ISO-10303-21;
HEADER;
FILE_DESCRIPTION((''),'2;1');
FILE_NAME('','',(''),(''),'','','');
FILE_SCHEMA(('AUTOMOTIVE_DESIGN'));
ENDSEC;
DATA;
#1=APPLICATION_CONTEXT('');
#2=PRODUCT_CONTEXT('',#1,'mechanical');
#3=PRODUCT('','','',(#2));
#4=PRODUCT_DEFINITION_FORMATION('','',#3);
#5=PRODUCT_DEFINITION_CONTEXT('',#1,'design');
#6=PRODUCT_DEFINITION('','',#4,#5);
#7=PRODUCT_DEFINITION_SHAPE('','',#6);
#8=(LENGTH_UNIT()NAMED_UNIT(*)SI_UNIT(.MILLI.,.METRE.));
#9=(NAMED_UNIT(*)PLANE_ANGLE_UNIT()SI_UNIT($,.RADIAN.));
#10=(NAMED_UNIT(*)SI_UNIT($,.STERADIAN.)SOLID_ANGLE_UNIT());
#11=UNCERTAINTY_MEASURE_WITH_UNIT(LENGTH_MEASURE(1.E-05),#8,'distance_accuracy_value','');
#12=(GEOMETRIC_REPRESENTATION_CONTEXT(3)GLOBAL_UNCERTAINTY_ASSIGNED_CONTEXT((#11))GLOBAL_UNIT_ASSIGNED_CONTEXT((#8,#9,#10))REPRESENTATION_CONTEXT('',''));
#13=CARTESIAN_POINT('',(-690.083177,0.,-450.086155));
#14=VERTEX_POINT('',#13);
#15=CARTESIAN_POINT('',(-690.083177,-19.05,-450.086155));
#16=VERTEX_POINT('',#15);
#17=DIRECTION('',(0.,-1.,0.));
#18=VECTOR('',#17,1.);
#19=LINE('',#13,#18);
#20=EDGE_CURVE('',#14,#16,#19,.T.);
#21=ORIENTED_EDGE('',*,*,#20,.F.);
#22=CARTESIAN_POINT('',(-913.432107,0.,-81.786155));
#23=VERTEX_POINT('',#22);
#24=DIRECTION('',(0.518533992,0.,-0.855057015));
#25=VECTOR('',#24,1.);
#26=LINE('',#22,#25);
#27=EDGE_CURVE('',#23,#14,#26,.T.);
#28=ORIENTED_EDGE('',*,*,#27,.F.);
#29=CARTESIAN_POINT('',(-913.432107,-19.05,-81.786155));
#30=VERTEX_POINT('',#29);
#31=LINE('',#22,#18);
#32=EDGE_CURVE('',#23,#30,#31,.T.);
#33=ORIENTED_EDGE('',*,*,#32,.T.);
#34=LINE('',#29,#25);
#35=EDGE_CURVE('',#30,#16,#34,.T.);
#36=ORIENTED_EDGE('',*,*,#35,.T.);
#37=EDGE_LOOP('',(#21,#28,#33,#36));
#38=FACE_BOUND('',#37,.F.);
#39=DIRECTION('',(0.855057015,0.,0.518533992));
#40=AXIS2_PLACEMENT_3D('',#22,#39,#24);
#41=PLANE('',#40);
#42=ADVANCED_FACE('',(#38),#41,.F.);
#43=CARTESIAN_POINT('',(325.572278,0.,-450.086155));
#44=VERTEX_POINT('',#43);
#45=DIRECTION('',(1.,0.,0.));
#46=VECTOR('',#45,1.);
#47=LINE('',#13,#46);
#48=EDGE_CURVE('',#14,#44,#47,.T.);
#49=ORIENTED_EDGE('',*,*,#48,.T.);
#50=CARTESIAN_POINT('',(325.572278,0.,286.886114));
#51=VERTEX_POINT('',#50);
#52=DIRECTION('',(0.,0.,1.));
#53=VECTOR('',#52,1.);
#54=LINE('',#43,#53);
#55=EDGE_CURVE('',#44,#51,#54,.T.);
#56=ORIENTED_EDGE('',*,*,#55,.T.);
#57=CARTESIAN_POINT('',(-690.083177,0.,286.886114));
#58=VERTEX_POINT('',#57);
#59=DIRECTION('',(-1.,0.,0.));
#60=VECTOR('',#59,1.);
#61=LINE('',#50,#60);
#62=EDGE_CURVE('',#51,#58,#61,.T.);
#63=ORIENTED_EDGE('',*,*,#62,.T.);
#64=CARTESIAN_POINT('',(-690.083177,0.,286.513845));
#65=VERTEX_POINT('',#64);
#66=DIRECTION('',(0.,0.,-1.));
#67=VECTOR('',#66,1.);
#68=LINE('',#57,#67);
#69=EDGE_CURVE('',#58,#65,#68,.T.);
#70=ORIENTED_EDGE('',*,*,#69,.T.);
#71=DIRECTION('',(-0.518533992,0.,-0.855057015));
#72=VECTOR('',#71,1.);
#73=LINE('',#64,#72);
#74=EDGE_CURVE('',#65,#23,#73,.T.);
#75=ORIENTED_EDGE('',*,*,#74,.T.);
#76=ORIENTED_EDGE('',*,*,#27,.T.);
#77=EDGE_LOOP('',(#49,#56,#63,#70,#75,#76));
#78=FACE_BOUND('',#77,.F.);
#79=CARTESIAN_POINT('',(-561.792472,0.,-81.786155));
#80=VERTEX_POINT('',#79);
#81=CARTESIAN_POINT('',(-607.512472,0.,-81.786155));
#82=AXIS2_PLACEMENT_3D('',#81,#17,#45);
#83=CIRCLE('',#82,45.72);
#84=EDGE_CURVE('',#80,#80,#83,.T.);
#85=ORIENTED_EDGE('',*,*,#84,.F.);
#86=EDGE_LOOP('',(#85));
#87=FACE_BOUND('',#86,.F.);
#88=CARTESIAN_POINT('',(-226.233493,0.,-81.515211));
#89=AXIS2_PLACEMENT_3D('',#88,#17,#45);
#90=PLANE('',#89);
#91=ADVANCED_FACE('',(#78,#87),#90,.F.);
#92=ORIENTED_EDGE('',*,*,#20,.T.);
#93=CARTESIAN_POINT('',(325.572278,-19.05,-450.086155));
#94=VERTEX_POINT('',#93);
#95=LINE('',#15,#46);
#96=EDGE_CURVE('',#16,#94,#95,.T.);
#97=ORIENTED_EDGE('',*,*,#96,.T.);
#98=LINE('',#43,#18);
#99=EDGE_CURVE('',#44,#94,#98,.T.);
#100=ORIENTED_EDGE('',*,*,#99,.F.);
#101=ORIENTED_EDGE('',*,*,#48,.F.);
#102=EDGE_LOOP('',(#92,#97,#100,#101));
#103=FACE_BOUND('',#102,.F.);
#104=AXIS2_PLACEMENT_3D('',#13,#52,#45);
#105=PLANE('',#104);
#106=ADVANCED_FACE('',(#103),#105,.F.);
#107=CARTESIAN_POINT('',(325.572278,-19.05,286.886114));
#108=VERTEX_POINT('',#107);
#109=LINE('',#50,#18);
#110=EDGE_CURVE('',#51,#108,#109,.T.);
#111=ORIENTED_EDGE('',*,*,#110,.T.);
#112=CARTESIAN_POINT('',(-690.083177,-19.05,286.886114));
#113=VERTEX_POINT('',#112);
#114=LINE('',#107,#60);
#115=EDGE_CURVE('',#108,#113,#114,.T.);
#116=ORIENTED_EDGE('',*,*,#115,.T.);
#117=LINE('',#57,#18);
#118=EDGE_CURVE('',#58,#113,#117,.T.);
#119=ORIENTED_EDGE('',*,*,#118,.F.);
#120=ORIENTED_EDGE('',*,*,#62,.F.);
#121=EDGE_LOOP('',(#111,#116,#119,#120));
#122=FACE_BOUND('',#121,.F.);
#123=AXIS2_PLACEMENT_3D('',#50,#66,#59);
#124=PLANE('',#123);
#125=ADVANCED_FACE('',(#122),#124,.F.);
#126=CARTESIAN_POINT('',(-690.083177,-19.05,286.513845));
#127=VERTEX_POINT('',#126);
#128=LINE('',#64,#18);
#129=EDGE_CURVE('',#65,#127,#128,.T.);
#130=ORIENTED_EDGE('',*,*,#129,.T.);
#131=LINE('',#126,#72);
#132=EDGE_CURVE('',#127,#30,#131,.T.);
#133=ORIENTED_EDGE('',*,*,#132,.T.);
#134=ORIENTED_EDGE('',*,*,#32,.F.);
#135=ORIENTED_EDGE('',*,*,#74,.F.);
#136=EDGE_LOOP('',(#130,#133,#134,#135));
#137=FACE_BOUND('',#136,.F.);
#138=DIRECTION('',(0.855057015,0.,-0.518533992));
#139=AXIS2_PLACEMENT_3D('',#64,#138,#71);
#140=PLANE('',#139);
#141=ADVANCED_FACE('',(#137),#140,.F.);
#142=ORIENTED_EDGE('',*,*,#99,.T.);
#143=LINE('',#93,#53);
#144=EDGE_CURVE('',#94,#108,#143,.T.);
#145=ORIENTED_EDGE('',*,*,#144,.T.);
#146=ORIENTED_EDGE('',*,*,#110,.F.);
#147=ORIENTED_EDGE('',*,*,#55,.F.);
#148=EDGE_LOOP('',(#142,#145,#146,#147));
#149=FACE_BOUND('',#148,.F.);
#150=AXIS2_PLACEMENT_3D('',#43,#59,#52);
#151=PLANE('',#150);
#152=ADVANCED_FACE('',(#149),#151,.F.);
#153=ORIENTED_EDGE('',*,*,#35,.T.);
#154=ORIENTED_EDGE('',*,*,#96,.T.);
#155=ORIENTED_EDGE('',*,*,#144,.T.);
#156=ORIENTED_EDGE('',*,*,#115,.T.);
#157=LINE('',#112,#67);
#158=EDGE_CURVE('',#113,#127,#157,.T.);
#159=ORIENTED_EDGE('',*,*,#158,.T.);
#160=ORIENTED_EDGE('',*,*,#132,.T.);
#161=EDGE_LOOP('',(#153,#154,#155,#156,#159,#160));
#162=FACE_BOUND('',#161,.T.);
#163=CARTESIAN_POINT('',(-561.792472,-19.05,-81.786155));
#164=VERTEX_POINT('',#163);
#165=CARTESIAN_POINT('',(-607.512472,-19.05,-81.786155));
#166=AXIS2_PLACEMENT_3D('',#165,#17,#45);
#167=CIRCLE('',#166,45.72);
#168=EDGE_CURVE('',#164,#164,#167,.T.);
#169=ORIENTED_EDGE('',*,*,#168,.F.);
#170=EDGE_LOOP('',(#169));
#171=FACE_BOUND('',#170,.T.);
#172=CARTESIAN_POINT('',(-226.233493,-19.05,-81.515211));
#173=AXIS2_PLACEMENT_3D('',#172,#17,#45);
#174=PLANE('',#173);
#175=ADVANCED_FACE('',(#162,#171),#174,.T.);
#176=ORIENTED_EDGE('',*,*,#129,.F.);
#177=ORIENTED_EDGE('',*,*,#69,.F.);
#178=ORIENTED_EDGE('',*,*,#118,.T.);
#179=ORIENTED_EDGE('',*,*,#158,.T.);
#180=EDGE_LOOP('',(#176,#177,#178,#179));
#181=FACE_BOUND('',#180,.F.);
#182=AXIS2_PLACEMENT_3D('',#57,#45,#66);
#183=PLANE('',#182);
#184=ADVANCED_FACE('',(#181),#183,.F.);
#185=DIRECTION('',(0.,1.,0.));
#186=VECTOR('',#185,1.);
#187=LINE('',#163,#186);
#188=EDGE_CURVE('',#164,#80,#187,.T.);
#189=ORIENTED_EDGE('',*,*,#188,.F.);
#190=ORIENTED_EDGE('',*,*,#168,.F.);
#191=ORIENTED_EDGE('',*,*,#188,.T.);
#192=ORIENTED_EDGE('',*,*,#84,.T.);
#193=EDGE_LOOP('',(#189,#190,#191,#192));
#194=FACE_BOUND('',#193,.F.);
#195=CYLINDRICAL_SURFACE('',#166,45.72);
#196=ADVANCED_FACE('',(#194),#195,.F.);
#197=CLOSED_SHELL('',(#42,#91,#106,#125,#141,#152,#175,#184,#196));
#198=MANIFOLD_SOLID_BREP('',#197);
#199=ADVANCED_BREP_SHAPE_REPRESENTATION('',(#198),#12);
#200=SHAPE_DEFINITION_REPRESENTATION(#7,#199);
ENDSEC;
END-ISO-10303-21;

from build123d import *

# Parameters (mm, degrees)
F1_DEPTH = 19.05
F2_R     = 45.72
F3_DEPTH = 25.4


with BuildPart() as f1:
    # F0 (on Front) → F1 (new body)
    with BuildSketch(Plane.XZ):
        Polygon((-690.083177, 286.513845), (-913.432107, -81.786155), (-690.083177, -450.086155), (-563.697045, -449.713886), (198.302955, -449.713886), (325.572278, -449.713886), (325.572278, 286.886114), (198.572278, 286.886114), (198.302955, 286.886114), (-563.697045, 286.886114), align=None)
        Polygon((-563.697045, -449.713886), (-690.083177, -450.086155), (325.572278, -450.086155), (325.572278, -449.713886), (198.302955, -449.713886), align=None)
        Polygon((-690.083177, 286.886114), (-690.083177, 286.513845), (-563.697045, 286.886114), align=None)
    extrude(amount=F1_DEPTH)

    # F2 (on face) → F3 (cut)
    with BuildSketch(Plane.XZ.offset(19.05)):
        with Locations((-607.512472, -81.786155)):
            Circle(F2_R)
    extrude(amount=-F3_DEPTH, mode=Mode.SUBTRACT)


solid = f1.part
